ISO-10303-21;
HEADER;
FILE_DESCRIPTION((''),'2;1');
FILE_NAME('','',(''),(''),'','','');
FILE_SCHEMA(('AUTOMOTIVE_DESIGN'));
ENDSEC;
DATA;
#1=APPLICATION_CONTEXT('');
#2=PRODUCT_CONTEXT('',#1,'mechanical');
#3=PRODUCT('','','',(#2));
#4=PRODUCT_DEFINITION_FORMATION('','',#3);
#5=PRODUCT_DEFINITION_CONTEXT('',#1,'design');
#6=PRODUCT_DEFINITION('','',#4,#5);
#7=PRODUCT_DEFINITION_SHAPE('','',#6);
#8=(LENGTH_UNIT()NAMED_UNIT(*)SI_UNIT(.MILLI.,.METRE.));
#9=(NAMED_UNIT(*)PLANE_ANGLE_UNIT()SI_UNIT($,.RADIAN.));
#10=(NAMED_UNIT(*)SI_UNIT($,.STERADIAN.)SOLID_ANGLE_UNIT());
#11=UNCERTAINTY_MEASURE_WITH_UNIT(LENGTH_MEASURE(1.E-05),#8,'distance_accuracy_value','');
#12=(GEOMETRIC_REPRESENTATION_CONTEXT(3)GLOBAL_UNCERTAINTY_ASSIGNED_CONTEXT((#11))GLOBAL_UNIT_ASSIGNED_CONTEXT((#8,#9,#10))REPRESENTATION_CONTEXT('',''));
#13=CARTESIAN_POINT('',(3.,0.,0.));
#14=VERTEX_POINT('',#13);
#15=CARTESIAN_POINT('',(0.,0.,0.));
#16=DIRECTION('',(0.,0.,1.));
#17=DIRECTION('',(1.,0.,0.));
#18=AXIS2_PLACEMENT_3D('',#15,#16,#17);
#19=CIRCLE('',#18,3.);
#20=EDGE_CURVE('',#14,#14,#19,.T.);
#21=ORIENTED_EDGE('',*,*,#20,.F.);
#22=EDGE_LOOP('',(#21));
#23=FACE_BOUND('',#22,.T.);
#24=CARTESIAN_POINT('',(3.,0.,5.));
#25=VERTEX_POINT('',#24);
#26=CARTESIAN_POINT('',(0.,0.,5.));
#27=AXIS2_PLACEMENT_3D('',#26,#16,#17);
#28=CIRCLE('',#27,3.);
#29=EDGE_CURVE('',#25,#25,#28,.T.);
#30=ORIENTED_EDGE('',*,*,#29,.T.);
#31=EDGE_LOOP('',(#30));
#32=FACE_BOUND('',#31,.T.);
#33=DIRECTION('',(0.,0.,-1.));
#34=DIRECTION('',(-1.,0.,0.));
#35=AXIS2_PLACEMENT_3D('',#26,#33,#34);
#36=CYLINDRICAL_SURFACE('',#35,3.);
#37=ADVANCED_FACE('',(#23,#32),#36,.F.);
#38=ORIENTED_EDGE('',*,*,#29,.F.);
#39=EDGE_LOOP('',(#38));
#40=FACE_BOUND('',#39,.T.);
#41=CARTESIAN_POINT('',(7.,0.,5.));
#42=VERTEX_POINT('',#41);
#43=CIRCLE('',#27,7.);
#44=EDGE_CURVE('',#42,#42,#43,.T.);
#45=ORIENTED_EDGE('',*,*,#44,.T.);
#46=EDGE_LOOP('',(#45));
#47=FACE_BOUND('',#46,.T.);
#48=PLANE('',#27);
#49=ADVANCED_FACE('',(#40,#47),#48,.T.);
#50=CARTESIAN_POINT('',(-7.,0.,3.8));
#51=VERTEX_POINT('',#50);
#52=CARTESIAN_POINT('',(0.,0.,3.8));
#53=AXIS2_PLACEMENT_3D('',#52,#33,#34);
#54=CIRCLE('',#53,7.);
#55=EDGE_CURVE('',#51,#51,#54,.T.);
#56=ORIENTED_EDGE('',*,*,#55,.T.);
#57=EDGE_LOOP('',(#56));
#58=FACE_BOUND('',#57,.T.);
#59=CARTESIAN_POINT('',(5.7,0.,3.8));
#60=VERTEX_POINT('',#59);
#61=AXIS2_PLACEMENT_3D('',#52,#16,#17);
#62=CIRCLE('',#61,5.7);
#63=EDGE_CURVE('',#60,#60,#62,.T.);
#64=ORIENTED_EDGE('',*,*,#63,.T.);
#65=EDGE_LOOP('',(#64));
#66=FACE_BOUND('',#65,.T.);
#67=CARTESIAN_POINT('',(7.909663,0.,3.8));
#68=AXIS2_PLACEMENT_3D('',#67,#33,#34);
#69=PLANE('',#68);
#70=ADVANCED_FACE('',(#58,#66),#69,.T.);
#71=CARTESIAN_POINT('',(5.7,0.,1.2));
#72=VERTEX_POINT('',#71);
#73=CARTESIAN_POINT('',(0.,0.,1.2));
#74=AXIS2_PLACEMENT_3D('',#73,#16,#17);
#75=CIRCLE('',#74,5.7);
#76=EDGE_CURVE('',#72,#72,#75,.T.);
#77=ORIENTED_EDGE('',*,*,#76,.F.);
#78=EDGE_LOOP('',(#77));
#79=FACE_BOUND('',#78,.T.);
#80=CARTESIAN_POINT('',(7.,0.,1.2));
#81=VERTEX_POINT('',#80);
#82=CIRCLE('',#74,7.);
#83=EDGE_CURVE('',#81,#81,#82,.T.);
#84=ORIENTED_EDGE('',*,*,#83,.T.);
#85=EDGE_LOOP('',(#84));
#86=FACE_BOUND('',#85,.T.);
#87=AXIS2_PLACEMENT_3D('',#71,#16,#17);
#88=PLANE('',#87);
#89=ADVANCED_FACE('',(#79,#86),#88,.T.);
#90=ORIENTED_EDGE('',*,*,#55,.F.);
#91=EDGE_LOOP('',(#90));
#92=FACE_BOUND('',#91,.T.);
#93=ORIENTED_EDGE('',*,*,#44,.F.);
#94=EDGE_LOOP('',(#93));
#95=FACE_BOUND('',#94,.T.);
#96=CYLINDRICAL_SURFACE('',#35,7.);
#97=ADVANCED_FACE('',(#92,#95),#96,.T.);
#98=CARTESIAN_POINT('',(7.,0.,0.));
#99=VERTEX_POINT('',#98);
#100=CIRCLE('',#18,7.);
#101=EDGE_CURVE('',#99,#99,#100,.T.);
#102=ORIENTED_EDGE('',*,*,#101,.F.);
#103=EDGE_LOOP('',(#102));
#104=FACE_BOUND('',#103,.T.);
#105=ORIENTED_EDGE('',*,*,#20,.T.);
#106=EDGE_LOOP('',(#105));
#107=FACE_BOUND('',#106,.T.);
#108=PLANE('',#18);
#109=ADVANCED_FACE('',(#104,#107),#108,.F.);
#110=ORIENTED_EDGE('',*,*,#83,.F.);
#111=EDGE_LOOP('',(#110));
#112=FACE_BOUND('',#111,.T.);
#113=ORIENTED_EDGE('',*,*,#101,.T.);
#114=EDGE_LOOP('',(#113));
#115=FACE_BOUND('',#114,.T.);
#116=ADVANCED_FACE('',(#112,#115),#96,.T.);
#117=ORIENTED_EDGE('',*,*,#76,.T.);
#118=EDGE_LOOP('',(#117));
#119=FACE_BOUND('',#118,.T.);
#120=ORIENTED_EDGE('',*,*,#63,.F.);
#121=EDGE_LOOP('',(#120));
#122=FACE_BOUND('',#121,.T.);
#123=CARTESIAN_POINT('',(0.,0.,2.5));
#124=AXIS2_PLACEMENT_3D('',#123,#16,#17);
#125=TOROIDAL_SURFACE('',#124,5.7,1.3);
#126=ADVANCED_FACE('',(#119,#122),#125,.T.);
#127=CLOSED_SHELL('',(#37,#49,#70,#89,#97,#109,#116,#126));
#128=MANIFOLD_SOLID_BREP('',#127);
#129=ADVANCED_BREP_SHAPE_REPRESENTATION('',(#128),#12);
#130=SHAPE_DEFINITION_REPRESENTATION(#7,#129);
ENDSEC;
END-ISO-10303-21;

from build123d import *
from build123d.topology import SkipClean

# Parameters (mm, degrees)
SKETCH_1_R      = 7
SKETCH_1_R_2    = 3
EXTRUDE_1_DEPTH = 5


with BuildPart() as part:
    # 草图1 → 凸台-拉伸1 (new body)
    with BuildSketch(Plane.XY):
        Circle(SKETCH_1_R)
        Circle(SKETCH_1_R_2, mode=Mode.SUBTRACT)
    extrude(amount=EXTRUDE_1_DEPTH)

    # 草图2 → 切除-旋转1 (revolve, cut)
    with SkipClean():  # the faces are left unmerged after this step: merging them gives an invalid solid
        with BuildSketch(Plane(origin=(0, 0, 0), x_dir=(1, 0, 0), z_dir=(0, 1, 0)), mode=Mode.PRIVATE) as cut_revolve_1_sk:
            with BuildLine():
                Line((5.7, -1.2), (7.909662878, -1.2))
                Line((7.909662878, -1.2), (7.909662878, -3.8))
                Line((7.909662878, -3.8), (5.7, -3.8))
                ThreePointArc((5.7, -3.8), (7, -2.5), (5.7, -1.2))
            make_face()
        revolve(cut_revolve_1_sk.sketch.rotate(Axis((0, 0, 0), (0, 0, -1)), 180), axis=Axis((0, 0, 0), (0, 0, -1)), mode=Mode.SUBTRACT)


solid = part.part
